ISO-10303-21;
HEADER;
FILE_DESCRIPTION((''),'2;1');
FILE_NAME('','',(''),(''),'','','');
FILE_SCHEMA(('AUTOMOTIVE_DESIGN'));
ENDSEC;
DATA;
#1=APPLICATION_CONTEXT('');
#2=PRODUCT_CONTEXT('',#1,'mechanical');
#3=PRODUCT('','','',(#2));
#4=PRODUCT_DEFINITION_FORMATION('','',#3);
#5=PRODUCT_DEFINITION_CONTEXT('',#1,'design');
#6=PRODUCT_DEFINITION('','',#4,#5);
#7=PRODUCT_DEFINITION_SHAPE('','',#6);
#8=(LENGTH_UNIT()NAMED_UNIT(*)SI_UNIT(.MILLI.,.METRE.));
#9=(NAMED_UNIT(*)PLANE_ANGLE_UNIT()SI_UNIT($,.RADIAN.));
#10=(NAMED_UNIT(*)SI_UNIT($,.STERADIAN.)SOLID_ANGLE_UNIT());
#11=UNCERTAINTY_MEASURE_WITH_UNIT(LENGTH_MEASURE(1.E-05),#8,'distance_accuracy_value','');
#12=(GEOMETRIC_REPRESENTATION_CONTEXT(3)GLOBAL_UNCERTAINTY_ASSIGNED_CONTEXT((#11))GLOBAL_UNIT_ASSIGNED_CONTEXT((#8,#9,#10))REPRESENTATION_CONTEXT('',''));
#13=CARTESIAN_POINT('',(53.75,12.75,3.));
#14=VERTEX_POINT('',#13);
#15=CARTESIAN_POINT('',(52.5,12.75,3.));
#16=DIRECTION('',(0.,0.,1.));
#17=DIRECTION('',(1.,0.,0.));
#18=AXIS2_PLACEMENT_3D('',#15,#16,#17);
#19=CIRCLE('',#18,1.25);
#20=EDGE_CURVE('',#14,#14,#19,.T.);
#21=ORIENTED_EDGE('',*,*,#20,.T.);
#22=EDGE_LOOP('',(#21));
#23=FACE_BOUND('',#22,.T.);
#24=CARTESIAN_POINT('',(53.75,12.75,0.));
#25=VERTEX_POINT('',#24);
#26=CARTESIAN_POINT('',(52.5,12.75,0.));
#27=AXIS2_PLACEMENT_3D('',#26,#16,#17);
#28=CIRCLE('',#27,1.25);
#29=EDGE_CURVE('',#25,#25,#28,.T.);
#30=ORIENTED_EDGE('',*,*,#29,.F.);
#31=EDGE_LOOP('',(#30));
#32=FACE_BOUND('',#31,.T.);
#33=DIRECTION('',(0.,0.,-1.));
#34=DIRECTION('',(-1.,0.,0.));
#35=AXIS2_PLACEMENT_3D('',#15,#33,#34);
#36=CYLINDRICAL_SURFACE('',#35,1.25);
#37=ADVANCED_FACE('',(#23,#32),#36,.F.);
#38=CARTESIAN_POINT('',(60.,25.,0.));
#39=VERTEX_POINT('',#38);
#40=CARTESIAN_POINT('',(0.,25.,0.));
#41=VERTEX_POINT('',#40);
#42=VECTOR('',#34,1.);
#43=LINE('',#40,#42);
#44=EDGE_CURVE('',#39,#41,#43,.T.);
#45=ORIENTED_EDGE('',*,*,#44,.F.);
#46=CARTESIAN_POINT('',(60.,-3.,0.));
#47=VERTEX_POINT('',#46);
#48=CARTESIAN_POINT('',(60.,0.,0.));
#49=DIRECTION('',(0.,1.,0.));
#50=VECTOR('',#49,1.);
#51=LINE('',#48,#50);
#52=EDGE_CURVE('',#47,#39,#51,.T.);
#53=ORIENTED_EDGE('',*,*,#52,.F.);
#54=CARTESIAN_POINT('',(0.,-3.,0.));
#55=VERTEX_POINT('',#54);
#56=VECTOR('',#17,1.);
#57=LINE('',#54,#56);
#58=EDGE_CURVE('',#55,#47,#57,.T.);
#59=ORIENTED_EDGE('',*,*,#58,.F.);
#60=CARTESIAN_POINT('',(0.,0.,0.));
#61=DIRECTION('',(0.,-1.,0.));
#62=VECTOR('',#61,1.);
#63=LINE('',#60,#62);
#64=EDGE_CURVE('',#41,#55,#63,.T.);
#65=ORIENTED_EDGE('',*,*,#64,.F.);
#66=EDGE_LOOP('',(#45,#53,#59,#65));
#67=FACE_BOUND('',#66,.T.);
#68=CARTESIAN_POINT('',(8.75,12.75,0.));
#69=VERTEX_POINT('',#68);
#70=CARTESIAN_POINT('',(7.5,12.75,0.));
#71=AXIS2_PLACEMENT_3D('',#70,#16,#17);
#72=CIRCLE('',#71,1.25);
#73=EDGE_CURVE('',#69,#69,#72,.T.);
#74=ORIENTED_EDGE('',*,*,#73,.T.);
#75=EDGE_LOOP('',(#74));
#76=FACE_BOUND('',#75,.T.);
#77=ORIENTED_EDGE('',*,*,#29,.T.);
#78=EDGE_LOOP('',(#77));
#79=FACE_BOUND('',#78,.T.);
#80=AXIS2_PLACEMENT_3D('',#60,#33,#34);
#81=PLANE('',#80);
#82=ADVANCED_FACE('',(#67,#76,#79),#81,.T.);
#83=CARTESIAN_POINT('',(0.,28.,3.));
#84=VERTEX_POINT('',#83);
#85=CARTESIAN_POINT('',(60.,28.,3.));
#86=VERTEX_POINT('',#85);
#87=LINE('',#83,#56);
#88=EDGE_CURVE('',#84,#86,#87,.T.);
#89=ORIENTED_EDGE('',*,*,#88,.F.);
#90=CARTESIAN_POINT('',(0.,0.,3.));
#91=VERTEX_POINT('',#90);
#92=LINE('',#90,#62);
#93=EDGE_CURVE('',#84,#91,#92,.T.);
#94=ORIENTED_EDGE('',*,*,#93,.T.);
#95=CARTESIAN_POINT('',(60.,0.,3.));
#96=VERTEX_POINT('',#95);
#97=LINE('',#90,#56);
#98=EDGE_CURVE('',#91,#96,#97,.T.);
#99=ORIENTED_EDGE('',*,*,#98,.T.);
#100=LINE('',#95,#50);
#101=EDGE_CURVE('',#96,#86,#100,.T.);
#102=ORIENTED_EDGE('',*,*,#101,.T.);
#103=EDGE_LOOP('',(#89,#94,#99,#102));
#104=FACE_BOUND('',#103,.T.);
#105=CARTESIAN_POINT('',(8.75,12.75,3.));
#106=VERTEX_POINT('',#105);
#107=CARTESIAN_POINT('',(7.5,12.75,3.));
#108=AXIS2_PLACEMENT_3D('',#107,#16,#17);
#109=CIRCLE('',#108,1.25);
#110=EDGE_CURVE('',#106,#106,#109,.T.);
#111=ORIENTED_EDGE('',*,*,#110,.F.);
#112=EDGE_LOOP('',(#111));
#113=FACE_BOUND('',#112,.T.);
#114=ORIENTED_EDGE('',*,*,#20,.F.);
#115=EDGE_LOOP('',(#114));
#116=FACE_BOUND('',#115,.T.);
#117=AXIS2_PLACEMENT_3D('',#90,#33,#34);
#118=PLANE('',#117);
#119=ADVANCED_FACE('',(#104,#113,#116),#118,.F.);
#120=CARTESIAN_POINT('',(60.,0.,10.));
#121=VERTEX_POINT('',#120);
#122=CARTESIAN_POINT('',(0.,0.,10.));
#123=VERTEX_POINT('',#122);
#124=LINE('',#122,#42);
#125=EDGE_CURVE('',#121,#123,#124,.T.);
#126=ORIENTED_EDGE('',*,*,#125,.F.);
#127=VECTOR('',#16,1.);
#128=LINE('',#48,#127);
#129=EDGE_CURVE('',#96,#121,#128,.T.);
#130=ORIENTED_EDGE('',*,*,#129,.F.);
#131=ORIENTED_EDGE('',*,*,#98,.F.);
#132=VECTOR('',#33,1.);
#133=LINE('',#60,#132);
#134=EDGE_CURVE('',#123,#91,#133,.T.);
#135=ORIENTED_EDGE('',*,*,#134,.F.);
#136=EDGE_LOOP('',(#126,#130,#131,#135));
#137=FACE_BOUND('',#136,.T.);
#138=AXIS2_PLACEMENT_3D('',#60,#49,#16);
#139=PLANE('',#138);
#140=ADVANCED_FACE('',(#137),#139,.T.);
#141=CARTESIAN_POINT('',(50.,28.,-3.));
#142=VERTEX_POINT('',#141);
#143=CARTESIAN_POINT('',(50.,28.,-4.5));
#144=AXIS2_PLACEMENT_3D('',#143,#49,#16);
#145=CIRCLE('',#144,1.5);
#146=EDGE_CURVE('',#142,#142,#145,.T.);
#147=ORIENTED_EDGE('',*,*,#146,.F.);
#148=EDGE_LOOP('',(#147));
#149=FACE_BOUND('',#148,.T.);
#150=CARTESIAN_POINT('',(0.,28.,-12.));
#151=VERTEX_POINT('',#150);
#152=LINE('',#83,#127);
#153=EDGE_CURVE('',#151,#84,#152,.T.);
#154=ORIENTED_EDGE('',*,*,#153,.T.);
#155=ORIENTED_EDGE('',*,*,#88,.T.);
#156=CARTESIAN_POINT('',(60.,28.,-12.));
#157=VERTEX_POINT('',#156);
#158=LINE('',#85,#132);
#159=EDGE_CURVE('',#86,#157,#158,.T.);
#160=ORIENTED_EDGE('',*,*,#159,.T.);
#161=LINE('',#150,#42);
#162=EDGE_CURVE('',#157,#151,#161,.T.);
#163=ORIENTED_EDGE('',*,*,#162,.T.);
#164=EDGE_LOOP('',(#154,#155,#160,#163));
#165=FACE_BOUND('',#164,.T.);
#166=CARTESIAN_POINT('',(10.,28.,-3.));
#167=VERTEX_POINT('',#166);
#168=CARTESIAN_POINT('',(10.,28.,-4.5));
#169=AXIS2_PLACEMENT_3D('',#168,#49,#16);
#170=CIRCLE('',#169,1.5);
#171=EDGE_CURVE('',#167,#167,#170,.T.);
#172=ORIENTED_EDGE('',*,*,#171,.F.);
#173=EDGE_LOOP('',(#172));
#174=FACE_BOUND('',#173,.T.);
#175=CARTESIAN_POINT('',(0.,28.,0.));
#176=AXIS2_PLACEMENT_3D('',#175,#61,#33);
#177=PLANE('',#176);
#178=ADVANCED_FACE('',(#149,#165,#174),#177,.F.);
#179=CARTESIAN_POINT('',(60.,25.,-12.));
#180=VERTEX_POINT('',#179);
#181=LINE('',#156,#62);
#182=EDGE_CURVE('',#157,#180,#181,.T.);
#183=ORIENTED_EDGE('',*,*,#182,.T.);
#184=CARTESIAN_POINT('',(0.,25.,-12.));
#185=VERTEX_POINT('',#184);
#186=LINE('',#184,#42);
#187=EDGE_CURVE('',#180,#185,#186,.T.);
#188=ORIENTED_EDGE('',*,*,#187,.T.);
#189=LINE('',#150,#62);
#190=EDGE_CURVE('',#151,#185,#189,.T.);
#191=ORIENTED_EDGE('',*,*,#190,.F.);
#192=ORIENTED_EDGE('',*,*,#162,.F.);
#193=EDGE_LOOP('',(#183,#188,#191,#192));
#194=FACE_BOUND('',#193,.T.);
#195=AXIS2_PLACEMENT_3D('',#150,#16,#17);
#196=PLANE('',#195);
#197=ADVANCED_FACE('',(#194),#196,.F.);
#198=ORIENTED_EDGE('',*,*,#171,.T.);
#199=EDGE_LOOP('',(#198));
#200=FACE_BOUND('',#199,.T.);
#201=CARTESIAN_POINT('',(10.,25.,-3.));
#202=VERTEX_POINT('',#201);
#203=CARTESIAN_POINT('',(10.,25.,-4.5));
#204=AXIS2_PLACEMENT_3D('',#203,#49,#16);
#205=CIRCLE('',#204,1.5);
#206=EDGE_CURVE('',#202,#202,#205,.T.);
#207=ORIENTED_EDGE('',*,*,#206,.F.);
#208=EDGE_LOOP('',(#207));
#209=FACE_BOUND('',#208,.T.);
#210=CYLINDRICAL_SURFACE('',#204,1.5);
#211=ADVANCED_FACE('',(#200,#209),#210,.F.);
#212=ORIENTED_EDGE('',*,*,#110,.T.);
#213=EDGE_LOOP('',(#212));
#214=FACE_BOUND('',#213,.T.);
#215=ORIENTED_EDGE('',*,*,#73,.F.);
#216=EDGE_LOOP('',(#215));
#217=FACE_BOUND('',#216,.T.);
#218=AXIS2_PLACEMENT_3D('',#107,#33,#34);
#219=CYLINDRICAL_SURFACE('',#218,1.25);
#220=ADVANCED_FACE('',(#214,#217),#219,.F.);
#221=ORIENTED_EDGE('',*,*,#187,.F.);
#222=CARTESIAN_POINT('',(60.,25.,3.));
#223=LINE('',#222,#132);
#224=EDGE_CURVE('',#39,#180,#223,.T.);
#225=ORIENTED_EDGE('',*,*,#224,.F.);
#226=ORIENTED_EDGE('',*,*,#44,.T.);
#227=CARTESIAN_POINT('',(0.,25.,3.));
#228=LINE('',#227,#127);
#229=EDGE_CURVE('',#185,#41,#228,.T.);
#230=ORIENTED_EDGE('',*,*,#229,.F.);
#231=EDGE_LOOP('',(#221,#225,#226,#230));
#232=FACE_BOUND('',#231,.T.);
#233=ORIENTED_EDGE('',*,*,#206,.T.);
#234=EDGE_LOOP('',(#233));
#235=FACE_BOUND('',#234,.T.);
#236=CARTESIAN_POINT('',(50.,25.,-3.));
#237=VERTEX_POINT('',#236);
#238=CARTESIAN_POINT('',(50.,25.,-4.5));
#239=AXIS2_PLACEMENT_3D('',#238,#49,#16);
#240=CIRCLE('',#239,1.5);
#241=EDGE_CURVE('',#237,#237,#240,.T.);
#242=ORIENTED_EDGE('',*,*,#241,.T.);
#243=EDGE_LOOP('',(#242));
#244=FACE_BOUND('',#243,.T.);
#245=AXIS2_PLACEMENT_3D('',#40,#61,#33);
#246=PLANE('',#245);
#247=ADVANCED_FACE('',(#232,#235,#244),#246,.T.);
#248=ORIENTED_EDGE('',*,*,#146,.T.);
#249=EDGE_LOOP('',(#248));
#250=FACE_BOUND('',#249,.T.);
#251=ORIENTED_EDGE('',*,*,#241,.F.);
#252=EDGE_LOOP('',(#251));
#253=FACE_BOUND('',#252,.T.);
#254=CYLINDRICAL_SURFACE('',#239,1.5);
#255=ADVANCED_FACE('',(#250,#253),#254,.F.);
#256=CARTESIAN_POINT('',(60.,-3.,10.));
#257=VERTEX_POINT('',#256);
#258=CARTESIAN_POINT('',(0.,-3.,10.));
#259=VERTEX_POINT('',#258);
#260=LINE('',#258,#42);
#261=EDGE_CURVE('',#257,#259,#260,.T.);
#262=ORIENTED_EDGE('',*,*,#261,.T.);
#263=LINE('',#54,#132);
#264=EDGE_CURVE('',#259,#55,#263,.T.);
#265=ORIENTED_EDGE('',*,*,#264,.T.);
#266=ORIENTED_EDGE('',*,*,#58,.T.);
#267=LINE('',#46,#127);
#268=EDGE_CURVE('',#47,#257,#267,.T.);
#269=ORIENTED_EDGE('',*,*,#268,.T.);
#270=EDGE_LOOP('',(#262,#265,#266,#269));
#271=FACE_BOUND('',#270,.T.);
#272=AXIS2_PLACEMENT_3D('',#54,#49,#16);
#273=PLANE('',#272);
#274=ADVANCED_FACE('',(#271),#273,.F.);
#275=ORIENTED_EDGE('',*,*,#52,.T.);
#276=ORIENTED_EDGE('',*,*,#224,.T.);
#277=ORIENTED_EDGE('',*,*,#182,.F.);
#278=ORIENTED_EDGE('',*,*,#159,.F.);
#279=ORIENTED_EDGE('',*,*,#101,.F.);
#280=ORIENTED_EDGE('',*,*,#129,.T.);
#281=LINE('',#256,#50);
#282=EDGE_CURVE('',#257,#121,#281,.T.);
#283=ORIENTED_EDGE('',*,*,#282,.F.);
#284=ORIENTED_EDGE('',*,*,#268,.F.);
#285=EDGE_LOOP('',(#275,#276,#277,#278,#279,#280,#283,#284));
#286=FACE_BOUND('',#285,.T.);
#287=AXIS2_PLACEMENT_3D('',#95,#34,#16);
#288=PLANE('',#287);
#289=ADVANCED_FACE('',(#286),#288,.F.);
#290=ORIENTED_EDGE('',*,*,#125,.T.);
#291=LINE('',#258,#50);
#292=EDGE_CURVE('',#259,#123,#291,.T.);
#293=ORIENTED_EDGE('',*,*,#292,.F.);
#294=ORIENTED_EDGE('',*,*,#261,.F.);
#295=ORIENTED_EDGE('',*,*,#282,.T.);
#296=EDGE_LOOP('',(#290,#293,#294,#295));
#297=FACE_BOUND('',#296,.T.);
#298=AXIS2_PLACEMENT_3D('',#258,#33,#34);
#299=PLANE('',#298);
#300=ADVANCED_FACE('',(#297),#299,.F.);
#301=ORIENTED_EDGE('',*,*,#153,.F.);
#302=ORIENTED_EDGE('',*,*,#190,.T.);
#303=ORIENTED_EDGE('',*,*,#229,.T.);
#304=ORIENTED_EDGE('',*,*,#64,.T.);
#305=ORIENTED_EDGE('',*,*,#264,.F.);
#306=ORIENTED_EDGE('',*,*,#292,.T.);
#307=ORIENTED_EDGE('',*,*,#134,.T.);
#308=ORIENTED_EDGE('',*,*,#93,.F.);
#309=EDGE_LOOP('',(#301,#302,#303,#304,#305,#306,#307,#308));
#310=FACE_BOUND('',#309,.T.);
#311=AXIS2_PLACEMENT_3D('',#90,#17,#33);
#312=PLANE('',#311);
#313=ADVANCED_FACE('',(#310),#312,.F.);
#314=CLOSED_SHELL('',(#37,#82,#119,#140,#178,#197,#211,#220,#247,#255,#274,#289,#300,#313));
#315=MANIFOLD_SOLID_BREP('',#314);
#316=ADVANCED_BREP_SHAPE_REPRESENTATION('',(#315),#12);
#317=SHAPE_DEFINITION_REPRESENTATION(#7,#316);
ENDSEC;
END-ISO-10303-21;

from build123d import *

# Parameters (mm, degrees)
SKETCH1_W           = 60
SKETCH1_H           = 25
SKETCH1_R           = 1.25
BOSS_EXTRUDE1_DEPTH = 3
SKETCH2_W           = 60
SKETCH2_H           = 10
BOSS_EXTRUDE2_DEPTH = 3
SKETCH3_W           = 60
SKETCH3_H           = 15
BOSS_EXTRUDE3_DEPTH = 3
SKETCH4_R           = 1.5
CUT_EXTRUDE1_DEPTH  = 3


with BuildPart() as part:
    # Sketch1 → Boss-Extrude1 (new body)
    with BuildSketch(Plane.XY):
        with Locations((30, 12.5)):
            Rectangle(SKETCH1_W, SKETCH1_H)
        with Locations((7.5, 12.75)):
            Circle(SKETCH1_R, mode=Mode.SUBTRACT)
        with Locations((52.5, 12.75)):
            Circle(SKETCH1_R, mode=Mode.SUBTRACT)
    extrude(amount=BOSS_EXTRUDE1_DEPTH)

    # Sketch2 → Boss-Extrude2 (add)
    with BuildSketch(Plane.XZ):
        with Locations((30, 5)):
            Rectangle(SKETCH2_W, SKETCH2_H)
    extrude(amount=BOSS_EXTRUDE2_DEPTH)

    # Sketch3 → Boss-Extrude3 (add)
    with BuildSketch(Plane(origin=(0, 25, 0), x_dir=(1, 0, 0), z_dir=(0, 1, 0))):
        with Locations((30, 4.5)):
            Rectangle(SKETCH3_W, SKETCH3_H)
    extrude(amount=BOSS_EXTRUDE3_DEPTH)

    # Sketch4 → Cut-Extrude1 (cut)
    with BuildSketch(Plane(origin=(0, 28, 0), x_dir=(1, 0, 0), z_dir=(0, 1, 0))):
        with Locations(Location((10, 4.5, 0), (0, 0, 270))):
            Circle(SKETCH4_R)
        with Locations(Location((50, 4.5, 0), (0, 0, 270))):
            Circle(SKETCH4_R)
    extrude(amount=-CUT_EXTRUDE1_DEPTH, mode=Mode.SUBTRACT)


solid = part.part
